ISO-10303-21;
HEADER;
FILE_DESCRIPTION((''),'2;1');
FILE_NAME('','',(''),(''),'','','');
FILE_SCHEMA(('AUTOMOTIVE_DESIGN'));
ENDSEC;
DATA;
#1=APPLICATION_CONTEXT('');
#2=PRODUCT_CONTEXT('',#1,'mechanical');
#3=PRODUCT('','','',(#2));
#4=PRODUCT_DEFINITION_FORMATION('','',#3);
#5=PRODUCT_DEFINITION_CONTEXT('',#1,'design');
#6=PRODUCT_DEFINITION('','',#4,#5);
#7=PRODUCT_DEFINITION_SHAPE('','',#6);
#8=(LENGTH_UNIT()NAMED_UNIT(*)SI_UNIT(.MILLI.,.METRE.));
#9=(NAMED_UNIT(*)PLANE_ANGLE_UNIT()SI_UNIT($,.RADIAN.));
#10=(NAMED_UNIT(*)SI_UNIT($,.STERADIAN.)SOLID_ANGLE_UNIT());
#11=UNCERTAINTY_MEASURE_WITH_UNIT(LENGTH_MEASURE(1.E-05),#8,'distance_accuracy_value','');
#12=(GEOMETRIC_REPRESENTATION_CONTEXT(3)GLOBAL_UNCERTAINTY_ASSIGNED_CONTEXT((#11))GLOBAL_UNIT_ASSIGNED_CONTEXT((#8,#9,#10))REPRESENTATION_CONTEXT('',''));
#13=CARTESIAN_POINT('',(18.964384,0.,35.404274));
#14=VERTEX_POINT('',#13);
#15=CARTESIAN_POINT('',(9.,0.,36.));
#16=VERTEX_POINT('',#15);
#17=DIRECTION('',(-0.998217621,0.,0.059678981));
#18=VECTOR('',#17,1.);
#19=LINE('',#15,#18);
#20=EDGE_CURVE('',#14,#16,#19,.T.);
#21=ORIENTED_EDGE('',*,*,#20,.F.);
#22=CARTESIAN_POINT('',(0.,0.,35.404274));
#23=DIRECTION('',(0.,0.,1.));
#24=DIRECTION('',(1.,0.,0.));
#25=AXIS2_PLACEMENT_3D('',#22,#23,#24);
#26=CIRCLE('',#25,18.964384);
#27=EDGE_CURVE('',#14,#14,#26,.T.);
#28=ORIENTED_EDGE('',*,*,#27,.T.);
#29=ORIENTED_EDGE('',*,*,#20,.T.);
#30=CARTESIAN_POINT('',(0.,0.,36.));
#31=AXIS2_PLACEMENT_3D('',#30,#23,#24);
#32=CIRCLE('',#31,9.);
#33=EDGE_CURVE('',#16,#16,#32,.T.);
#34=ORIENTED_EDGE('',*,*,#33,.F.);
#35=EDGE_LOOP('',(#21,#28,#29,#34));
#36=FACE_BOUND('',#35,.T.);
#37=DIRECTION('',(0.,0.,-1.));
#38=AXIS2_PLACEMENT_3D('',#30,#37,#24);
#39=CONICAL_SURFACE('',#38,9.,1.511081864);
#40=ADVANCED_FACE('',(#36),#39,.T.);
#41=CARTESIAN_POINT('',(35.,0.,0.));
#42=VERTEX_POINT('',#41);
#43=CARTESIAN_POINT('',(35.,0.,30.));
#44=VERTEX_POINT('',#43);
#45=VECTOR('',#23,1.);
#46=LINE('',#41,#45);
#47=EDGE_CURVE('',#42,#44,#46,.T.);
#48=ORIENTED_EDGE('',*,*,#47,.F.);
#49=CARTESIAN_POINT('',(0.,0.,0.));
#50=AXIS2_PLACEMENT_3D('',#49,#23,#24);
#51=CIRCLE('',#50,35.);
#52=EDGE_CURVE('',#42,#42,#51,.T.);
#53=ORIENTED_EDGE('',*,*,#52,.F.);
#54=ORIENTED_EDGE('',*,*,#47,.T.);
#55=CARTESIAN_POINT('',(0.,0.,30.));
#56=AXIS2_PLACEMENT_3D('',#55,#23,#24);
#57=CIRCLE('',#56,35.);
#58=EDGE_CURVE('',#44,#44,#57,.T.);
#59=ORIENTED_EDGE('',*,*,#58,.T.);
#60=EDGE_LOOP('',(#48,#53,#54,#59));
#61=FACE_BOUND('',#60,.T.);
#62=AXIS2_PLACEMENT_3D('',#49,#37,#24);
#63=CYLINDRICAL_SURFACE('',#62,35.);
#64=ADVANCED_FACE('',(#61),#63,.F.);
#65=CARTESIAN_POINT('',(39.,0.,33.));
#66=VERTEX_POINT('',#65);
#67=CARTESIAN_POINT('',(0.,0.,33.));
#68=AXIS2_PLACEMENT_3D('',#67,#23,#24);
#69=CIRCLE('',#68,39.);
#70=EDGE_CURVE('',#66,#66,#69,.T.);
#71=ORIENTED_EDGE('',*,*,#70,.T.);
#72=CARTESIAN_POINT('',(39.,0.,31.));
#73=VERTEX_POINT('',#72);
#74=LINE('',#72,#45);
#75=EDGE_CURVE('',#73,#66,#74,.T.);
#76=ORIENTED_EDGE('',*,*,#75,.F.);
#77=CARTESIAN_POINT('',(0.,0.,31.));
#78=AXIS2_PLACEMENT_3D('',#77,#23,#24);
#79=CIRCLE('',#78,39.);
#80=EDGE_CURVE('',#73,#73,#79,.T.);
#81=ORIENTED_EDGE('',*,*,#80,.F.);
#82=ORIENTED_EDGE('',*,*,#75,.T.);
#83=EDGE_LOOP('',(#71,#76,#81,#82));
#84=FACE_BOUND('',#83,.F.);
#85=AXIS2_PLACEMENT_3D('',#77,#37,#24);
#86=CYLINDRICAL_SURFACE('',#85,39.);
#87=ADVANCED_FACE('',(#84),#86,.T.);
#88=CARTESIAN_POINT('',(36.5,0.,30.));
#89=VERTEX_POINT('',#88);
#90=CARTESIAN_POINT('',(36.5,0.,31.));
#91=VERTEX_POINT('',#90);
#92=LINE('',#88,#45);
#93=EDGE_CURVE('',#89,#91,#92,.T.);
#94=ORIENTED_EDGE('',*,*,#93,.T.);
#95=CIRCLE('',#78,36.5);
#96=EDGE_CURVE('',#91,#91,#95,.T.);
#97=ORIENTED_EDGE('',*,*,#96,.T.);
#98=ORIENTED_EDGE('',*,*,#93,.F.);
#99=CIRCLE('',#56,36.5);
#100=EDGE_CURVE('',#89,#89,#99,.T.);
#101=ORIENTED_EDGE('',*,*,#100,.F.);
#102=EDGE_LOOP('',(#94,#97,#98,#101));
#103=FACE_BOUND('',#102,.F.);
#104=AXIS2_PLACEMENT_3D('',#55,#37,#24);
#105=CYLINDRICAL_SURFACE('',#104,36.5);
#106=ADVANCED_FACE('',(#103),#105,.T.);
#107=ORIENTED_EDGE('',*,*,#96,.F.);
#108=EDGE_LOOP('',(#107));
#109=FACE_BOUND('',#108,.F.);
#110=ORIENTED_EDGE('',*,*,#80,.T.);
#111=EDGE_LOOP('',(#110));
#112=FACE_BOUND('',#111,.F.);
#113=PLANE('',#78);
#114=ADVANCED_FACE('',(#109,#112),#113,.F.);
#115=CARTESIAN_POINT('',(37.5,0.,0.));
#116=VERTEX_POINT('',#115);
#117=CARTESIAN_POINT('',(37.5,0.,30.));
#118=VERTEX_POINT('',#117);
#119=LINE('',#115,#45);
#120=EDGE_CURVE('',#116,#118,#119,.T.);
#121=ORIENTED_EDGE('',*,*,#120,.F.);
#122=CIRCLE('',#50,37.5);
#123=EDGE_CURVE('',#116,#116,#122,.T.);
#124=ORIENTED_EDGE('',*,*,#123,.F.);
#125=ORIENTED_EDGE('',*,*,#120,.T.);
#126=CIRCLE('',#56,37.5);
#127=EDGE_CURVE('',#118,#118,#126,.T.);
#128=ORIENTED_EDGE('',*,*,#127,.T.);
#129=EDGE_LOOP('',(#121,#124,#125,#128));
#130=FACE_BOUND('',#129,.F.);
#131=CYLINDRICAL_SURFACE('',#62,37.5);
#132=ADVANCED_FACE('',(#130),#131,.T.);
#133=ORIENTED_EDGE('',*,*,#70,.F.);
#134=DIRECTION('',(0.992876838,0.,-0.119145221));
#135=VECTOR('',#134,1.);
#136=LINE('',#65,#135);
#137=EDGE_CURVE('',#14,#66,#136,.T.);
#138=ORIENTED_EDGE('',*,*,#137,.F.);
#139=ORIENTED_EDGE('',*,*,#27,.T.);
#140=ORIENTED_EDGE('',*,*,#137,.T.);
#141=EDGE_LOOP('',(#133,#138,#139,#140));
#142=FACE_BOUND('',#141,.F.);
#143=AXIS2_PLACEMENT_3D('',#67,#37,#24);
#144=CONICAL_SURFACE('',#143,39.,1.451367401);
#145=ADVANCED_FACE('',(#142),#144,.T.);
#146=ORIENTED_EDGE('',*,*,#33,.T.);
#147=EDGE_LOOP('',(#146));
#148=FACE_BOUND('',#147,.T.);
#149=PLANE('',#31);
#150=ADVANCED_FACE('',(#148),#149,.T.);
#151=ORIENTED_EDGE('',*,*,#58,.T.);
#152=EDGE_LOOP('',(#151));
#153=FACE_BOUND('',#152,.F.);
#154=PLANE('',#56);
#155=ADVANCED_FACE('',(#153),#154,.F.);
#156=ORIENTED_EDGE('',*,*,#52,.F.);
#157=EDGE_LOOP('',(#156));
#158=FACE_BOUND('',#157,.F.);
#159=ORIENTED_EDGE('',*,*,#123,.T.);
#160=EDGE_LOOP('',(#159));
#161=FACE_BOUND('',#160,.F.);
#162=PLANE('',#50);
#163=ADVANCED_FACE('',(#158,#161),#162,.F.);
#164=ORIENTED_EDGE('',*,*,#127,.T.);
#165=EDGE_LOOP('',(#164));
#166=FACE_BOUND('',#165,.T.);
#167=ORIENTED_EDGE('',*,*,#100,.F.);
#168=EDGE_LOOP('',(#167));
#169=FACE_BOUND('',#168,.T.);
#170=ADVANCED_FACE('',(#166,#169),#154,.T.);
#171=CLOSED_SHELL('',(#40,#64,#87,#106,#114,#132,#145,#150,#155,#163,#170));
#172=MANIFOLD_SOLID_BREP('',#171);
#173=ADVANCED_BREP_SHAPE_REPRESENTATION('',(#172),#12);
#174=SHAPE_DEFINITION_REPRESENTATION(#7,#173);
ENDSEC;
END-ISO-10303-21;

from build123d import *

# Parameters (mm, degrees)
F0_R     = 37.5
F0_R_2   = 35
F1_DEPTH = 30
F2_R     = 36.5
F2_R_2   = 35
F3_DEPTH = 1
F4_R     = 39
F4_R_2   = 36.5
F5_DEPTH = 5
F6_SIZE2 = 3
F6_SIZE  = 25
F7_SIZE  = 5


with BuildPart() as f1:
    # F0 (on Top) → F1 (new body)
    with BuildSketch(Plane.XY):
        Circle(F0_R)
        Circle(F0_R_2, mode=Mode.SUBTRACT)
    extrude(amount=F1_DEPTH)

    # F2 (on face) → F3 (join)
    with BuildSketch(Plane.XY.offset(30)):
        Circle(F2_R)
        Circle(F2_R_2, mode=Mode.SUBTRACT)
        Circle(F2_R_2)
    extrude(amount=F3_DEPTH)

    # F4 (on face) → F5 (join)
    with BuildSketch(Plane.XY.offset(31)):
        Circle(F4_R)
        Circle(F4_R_2, mode=Mode.SUBTRACT)
        Circle(F4_R_2)
    extrude(amount=F5_DEPTH)

    # F6
    f6_edges = [f1.edges().sort_by_distance(p)[0] for p in [
        (-39, 0, 36),
    ]]
    f6_side = f1.faces().sort_by_distance((0, 0, 36))[0]
    chamfer(f6_edges, length=F6_SIZE, length2=F6_SIZE2, reference=f6_side)

    # F7
    f7_edges = [f1.edges().sort_by_distance(p)[0] for p in [
        (-14, 0, 36),
    ]]
    chamfer(f7_edges, length=F7_SIZE)


solid = f1.part
